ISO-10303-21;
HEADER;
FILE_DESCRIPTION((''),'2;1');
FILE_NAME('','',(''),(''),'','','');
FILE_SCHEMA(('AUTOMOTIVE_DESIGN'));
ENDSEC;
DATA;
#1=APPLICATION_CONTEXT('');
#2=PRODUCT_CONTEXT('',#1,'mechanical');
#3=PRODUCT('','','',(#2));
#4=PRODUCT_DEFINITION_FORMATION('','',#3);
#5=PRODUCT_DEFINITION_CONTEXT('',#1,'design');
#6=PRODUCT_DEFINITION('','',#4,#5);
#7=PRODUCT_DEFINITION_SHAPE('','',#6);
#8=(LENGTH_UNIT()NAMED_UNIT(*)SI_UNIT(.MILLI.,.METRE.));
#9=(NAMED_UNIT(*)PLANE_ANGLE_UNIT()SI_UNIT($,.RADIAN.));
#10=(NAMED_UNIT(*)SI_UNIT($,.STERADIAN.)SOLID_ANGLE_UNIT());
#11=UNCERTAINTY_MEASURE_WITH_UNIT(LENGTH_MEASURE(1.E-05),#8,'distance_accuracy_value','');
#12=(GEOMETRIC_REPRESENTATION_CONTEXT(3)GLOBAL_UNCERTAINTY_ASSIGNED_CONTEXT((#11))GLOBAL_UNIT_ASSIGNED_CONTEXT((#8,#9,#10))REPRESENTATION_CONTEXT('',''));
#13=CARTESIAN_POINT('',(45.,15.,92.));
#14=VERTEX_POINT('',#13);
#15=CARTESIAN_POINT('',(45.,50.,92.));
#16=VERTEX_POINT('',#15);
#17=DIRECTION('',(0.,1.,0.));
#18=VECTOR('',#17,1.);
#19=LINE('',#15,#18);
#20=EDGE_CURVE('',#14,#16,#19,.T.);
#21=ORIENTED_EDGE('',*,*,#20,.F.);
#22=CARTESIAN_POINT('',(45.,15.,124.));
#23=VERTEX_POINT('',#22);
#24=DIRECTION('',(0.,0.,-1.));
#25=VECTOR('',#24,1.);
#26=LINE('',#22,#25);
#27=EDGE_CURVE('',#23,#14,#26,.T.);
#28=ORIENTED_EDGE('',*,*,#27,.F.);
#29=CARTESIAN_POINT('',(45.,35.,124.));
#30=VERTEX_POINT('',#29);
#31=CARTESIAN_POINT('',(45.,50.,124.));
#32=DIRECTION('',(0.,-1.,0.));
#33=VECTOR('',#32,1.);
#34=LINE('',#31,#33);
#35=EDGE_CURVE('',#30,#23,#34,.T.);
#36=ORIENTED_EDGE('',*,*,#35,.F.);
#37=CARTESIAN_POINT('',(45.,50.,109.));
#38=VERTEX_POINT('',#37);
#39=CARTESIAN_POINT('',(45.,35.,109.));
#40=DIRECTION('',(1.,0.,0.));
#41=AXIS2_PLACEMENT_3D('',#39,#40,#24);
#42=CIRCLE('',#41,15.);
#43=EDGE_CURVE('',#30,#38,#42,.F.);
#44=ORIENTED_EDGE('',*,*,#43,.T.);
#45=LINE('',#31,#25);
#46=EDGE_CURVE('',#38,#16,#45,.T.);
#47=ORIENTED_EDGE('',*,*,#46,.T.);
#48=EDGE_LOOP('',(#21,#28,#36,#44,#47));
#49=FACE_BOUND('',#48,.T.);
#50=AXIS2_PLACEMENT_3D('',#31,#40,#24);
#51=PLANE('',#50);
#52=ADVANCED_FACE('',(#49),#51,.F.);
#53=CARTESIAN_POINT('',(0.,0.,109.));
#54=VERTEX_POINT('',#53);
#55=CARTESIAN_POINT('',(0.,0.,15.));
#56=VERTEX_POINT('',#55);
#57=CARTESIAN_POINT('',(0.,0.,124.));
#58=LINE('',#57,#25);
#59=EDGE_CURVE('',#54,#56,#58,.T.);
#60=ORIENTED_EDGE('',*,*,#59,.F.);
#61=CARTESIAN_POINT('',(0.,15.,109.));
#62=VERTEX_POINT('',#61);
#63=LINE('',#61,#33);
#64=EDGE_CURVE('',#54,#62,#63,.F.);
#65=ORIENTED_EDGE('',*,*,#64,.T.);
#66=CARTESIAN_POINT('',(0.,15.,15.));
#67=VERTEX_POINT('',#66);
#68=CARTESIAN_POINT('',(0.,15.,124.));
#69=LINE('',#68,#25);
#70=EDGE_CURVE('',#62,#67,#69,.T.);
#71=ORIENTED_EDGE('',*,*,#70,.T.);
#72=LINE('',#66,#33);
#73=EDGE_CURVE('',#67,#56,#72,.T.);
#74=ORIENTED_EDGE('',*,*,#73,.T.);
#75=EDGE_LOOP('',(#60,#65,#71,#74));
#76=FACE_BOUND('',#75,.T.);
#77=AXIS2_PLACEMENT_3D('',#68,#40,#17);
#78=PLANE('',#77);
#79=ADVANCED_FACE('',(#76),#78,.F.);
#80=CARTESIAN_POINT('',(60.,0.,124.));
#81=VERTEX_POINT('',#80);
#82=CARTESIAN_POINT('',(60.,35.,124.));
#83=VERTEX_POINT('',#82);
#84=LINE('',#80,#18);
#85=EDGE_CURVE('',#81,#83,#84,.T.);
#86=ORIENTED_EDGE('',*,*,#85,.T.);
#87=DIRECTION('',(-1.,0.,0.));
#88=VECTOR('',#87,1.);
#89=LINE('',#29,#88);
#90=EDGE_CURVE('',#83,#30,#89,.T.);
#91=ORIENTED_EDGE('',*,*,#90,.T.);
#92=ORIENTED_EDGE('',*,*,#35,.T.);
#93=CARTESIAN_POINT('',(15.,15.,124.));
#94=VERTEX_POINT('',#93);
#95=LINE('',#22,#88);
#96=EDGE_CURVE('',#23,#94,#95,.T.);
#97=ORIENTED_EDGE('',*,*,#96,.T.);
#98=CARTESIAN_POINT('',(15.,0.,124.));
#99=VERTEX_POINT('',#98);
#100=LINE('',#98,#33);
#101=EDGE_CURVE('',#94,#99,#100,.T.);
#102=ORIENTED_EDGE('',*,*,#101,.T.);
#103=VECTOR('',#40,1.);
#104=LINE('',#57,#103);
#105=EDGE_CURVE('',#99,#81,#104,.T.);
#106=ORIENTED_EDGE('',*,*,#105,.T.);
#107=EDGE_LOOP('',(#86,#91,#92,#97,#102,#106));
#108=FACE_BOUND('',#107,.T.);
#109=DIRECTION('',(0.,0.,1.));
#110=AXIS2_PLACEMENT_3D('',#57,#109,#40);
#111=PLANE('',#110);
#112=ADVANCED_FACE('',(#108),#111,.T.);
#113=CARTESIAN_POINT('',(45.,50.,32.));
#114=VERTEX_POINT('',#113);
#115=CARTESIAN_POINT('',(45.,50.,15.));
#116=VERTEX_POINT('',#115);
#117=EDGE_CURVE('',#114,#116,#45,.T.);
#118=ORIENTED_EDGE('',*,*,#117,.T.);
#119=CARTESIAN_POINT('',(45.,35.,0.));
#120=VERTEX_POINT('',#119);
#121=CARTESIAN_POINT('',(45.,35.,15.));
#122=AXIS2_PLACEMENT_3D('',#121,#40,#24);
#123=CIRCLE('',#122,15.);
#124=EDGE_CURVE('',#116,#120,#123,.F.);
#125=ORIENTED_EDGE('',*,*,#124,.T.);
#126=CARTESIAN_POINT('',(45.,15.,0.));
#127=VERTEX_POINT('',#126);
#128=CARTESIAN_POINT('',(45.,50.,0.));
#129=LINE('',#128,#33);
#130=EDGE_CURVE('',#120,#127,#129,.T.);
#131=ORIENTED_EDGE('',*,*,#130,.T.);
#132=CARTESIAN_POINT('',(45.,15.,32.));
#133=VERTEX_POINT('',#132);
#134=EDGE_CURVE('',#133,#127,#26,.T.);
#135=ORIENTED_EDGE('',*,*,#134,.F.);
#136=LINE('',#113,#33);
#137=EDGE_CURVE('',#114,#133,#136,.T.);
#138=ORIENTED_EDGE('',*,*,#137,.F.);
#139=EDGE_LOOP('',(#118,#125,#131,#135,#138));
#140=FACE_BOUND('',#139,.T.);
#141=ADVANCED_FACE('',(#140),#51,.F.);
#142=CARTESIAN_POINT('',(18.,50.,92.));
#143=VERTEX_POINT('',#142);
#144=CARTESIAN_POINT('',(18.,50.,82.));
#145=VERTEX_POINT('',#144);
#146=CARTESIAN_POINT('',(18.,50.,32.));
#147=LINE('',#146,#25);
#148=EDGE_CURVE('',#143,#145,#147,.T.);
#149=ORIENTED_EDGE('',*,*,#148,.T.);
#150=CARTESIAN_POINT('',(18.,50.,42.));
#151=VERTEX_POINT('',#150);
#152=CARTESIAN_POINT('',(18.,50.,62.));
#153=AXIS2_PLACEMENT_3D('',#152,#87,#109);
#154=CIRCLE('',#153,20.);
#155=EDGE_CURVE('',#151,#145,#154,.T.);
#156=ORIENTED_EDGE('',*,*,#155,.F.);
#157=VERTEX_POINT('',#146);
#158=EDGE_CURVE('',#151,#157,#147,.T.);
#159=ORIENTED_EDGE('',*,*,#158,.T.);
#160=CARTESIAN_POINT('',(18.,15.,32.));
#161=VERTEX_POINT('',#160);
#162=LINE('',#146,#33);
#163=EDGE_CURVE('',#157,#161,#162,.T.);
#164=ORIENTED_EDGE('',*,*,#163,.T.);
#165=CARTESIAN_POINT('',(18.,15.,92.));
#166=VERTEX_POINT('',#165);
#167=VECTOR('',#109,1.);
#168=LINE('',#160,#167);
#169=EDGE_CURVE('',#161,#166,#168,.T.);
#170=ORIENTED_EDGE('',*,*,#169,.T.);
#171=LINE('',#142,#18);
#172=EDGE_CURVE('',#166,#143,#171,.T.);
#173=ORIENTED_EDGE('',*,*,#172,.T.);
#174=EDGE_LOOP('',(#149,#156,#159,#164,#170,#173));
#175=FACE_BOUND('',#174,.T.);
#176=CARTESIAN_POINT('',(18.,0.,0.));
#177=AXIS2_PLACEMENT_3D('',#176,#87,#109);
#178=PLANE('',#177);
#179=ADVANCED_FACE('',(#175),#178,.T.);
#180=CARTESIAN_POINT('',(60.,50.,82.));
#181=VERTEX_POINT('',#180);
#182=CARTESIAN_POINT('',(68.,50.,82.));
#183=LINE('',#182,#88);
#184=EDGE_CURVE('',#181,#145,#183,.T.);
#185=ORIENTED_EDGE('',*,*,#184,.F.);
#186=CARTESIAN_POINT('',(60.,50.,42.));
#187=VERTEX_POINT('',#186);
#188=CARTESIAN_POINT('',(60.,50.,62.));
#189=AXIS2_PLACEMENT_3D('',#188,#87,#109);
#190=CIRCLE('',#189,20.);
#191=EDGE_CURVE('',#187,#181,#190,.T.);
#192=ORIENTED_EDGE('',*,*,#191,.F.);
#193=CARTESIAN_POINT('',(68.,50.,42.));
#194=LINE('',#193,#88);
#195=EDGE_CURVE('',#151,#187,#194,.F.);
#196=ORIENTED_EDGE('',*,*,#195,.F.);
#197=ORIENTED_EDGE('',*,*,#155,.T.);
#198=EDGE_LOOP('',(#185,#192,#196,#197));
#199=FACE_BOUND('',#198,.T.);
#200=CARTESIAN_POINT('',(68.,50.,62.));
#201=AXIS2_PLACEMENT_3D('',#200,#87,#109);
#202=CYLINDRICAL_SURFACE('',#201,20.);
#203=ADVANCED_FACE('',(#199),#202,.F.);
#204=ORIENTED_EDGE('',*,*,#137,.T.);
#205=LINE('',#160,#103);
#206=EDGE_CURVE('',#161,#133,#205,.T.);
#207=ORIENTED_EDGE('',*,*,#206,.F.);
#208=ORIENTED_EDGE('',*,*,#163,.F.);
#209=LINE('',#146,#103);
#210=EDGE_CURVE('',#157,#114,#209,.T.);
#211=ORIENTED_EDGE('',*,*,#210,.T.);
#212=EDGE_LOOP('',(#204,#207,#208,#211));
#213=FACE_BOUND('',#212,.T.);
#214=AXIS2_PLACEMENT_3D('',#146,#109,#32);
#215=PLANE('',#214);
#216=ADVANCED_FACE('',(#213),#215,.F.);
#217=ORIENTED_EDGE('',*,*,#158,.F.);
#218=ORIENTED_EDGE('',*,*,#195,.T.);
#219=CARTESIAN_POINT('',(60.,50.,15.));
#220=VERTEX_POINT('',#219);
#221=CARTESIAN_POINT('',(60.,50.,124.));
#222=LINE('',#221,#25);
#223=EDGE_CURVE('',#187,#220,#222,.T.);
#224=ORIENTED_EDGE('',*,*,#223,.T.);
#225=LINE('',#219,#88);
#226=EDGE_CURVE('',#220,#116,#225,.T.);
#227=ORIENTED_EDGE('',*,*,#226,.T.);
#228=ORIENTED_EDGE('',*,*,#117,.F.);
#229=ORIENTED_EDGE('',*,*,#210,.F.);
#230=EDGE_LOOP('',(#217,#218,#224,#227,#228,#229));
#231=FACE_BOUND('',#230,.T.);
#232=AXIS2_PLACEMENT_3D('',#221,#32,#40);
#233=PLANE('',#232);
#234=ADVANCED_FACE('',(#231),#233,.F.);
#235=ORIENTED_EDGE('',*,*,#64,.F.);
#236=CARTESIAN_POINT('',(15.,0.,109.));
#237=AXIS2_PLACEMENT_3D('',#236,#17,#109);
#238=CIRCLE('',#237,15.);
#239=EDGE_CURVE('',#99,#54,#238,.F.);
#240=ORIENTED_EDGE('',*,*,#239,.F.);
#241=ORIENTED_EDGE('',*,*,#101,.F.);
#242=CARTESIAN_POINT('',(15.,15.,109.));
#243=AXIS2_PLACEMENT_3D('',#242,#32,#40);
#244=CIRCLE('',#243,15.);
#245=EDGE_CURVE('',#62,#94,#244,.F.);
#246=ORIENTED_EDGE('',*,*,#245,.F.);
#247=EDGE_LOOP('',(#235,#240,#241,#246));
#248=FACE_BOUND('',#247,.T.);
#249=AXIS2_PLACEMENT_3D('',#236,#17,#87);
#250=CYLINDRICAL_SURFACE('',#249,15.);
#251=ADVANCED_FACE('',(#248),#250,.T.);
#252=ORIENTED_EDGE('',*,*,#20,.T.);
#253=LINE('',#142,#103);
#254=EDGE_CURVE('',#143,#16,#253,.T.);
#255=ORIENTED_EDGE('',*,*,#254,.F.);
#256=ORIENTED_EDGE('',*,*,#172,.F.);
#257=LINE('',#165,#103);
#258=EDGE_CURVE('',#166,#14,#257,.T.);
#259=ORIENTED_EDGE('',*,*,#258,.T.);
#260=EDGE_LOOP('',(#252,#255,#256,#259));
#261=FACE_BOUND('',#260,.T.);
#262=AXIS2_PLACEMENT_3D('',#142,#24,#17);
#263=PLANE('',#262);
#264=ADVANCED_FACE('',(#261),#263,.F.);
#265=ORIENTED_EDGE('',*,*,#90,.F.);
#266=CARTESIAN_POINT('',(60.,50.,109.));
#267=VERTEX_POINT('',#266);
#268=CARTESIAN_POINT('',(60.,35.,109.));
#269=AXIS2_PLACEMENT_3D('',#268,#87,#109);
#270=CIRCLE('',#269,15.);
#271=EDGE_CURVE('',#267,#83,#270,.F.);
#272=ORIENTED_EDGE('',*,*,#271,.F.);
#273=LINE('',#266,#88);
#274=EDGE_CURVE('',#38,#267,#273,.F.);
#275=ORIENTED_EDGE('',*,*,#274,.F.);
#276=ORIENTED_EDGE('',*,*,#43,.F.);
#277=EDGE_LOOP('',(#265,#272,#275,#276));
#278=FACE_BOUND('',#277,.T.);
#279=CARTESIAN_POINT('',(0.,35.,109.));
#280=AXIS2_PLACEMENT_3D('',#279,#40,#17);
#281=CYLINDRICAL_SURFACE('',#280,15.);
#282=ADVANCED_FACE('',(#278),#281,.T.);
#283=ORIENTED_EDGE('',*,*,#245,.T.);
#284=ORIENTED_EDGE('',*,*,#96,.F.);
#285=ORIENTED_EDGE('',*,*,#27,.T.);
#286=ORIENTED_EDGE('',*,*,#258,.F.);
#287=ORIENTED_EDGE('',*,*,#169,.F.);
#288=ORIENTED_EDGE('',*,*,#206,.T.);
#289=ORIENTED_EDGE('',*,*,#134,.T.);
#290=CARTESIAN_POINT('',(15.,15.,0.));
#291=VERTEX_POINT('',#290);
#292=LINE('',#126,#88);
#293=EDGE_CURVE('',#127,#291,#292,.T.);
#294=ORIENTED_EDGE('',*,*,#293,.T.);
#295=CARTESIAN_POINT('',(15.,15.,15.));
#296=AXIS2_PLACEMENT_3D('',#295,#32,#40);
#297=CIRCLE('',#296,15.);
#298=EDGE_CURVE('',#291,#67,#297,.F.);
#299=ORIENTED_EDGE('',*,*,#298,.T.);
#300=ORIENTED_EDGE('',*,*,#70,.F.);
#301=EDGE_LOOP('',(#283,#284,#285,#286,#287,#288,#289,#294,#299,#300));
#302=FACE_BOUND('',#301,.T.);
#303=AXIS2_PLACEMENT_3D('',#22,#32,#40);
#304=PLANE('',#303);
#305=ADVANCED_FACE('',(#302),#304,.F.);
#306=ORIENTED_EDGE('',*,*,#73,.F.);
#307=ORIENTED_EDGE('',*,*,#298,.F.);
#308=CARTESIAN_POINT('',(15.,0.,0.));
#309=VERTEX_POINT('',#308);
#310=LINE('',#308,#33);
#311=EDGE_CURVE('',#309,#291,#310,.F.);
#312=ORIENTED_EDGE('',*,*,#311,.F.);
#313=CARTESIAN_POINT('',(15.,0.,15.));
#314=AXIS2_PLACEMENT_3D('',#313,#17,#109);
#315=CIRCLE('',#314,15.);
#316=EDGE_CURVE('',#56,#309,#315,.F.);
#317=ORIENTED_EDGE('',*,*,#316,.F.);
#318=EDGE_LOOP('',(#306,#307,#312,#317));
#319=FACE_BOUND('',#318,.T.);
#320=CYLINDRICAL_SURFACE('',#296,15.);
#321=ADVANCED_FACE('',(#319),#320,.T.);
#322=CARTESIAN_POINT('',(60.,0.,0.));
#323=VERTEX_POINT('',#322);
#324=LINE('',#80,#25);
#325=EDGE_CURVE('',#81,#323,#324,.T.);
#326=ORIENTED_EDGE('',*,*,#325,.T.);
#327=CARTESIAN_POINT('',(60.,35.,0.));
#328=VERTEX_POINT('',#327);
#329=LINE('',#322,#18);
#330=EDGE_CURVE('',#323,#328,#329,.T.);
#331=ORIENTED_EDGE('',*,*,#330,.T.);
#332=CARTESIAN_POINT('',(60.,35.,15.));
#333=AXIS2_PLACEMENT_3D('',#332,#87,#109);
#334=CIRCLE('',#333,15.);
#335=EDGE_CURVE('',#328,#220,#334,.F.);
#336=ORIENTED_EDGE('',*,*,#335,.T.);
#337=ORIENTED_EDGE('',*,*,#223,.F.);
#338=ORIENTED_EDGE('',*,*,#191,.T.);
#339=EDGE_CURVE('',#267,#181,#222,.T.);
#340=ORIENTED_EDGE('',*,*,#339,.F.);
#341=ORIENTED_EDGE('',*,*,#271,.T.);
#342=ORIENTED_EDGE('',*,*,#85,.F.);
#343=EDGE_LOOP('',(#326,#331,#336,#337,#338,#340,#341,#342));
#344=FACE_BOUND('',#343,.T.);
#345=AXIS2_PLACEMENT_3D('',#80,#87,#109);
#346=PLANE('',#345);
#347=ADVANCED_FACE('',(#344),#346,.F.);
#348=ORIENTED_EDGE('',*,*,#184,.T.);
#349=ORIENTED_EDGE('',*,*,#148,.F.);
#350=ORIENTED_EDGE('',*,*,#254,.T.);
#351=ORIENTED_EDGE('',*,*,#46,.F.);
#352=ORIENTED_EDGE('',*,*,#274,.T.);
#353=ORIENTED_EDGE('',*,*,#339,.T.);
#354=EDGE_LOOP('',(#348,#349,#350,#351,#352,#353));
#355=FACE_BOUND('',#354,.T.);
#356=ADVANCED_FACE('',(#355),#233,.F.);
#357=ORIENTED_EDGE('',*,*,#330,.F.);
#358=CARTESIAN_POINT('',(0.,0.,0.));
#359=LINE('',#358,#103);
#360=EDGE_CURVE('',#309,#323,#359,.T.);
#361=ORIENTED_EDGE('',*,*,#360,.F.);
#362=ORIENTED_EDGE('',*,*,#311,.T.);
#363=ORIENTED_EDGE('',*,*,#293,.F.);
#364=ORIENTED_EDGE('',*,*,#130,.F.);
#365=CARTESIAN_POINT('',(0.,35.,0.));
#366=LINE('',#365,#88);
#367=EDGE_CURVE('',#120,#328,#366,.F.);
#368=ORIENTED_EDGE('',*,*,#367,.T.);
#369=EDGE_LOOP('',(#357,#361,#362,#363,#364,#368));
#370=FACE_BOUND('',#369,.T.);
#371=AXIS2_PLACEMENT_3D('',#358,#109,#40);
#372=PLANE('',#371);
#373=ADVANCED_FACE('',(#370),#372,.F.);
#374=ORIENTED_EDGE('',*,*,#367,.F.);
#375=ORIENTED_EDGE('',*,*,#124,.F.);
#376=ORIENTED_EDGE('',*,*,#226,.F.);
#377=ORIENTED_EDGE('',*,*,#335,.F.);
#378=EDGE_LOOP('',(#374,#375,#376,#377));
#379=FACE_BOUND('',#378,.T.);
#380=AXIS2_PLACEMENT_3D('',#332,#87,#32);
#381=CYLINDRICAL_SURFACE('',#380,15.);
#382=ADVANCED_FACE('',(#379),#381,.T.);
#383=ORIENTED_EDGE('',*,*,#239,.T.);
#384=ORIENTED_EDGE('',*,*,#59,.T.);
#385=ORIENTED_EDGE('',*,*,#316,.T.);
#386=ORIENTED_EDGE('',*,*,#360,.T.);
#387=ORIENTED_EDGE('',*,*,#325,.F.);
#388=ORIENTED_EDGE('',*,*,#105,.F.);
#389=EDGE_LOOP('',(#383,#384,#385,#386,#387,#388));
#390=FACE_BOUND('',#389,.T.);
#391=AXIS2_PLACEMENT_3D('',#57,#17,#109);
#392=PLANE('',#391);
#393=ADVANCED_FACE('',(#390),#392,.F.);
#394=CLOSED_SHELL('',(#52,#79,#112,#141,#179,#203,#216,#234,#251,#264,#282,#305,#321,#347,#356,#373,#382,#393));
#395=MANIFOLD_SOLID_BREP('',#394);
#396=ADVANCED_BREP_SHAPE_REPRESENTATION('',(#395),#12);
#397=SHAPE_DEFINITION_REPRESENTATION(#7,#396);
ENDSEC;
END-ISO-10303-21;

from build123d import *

# Parameters (mm, degrees)
BOSS_EXTRUDE2_DEPTH = 124
FILLET1_R           = 15
FILLET2_R           = 15
SKETCH2_W           = 60
SKETCH2_H           = 35
BOSS_EXTRUDE3_DEPTH = 27
SKETCH5_R           = 20
CUT_EXTRUDE8_DEPTH  = 50


with BuildPart() as part:
    # Sketch1 → Boss-Extrude2 (new body)
    with BuildSketch(Plane.XY):
        Polygon((0, 0), (60, 0), (60, 50), (45, 50), (45, 15), (0, 15), align=None)
    extrude(amount=BOSS_EXTRUDE2_DEPTH)

    # Fillet1
    fillet1_edges = [part.edges().sort_by_distance(p)[0] for p in [
        (52.5, 50, 124),
        (0, 7.5, 124),
        (52.5, 50, 0),
    ]]
    fillet(fillet1_edges, radius=FILLET1_R)

    # Fillet2
    fillet2_edges = [part.edges().sort_by_distance(p)[0] for p in [
        (0, 7.5, 0),
    ]]
    fillet(fillet2_edges, radius=FILLET2_R)

    # Sketch2 → Boss-Extrude3 (add)
    with BuildSketch(Plane.ZY.offset(-45)):
        with Locations((62, 32.5)):
            Rectangle(SKETCH2_W, SKETCH2_H)
    extrude(amount=BOSS_EXTRUDE3_DEPTH)

    # Sketch5 → Cut-Extrude8 (cut)
    with BuildSketch(Plane.ZY.offset(-18)):
        with Locations((62, 50)):
            Circle(SKETCH5_R)
    extrude(amount=-CUT_EXTRUDE8_DEPTH, mode=Mode.SUBTRACT)


solid = part.part
